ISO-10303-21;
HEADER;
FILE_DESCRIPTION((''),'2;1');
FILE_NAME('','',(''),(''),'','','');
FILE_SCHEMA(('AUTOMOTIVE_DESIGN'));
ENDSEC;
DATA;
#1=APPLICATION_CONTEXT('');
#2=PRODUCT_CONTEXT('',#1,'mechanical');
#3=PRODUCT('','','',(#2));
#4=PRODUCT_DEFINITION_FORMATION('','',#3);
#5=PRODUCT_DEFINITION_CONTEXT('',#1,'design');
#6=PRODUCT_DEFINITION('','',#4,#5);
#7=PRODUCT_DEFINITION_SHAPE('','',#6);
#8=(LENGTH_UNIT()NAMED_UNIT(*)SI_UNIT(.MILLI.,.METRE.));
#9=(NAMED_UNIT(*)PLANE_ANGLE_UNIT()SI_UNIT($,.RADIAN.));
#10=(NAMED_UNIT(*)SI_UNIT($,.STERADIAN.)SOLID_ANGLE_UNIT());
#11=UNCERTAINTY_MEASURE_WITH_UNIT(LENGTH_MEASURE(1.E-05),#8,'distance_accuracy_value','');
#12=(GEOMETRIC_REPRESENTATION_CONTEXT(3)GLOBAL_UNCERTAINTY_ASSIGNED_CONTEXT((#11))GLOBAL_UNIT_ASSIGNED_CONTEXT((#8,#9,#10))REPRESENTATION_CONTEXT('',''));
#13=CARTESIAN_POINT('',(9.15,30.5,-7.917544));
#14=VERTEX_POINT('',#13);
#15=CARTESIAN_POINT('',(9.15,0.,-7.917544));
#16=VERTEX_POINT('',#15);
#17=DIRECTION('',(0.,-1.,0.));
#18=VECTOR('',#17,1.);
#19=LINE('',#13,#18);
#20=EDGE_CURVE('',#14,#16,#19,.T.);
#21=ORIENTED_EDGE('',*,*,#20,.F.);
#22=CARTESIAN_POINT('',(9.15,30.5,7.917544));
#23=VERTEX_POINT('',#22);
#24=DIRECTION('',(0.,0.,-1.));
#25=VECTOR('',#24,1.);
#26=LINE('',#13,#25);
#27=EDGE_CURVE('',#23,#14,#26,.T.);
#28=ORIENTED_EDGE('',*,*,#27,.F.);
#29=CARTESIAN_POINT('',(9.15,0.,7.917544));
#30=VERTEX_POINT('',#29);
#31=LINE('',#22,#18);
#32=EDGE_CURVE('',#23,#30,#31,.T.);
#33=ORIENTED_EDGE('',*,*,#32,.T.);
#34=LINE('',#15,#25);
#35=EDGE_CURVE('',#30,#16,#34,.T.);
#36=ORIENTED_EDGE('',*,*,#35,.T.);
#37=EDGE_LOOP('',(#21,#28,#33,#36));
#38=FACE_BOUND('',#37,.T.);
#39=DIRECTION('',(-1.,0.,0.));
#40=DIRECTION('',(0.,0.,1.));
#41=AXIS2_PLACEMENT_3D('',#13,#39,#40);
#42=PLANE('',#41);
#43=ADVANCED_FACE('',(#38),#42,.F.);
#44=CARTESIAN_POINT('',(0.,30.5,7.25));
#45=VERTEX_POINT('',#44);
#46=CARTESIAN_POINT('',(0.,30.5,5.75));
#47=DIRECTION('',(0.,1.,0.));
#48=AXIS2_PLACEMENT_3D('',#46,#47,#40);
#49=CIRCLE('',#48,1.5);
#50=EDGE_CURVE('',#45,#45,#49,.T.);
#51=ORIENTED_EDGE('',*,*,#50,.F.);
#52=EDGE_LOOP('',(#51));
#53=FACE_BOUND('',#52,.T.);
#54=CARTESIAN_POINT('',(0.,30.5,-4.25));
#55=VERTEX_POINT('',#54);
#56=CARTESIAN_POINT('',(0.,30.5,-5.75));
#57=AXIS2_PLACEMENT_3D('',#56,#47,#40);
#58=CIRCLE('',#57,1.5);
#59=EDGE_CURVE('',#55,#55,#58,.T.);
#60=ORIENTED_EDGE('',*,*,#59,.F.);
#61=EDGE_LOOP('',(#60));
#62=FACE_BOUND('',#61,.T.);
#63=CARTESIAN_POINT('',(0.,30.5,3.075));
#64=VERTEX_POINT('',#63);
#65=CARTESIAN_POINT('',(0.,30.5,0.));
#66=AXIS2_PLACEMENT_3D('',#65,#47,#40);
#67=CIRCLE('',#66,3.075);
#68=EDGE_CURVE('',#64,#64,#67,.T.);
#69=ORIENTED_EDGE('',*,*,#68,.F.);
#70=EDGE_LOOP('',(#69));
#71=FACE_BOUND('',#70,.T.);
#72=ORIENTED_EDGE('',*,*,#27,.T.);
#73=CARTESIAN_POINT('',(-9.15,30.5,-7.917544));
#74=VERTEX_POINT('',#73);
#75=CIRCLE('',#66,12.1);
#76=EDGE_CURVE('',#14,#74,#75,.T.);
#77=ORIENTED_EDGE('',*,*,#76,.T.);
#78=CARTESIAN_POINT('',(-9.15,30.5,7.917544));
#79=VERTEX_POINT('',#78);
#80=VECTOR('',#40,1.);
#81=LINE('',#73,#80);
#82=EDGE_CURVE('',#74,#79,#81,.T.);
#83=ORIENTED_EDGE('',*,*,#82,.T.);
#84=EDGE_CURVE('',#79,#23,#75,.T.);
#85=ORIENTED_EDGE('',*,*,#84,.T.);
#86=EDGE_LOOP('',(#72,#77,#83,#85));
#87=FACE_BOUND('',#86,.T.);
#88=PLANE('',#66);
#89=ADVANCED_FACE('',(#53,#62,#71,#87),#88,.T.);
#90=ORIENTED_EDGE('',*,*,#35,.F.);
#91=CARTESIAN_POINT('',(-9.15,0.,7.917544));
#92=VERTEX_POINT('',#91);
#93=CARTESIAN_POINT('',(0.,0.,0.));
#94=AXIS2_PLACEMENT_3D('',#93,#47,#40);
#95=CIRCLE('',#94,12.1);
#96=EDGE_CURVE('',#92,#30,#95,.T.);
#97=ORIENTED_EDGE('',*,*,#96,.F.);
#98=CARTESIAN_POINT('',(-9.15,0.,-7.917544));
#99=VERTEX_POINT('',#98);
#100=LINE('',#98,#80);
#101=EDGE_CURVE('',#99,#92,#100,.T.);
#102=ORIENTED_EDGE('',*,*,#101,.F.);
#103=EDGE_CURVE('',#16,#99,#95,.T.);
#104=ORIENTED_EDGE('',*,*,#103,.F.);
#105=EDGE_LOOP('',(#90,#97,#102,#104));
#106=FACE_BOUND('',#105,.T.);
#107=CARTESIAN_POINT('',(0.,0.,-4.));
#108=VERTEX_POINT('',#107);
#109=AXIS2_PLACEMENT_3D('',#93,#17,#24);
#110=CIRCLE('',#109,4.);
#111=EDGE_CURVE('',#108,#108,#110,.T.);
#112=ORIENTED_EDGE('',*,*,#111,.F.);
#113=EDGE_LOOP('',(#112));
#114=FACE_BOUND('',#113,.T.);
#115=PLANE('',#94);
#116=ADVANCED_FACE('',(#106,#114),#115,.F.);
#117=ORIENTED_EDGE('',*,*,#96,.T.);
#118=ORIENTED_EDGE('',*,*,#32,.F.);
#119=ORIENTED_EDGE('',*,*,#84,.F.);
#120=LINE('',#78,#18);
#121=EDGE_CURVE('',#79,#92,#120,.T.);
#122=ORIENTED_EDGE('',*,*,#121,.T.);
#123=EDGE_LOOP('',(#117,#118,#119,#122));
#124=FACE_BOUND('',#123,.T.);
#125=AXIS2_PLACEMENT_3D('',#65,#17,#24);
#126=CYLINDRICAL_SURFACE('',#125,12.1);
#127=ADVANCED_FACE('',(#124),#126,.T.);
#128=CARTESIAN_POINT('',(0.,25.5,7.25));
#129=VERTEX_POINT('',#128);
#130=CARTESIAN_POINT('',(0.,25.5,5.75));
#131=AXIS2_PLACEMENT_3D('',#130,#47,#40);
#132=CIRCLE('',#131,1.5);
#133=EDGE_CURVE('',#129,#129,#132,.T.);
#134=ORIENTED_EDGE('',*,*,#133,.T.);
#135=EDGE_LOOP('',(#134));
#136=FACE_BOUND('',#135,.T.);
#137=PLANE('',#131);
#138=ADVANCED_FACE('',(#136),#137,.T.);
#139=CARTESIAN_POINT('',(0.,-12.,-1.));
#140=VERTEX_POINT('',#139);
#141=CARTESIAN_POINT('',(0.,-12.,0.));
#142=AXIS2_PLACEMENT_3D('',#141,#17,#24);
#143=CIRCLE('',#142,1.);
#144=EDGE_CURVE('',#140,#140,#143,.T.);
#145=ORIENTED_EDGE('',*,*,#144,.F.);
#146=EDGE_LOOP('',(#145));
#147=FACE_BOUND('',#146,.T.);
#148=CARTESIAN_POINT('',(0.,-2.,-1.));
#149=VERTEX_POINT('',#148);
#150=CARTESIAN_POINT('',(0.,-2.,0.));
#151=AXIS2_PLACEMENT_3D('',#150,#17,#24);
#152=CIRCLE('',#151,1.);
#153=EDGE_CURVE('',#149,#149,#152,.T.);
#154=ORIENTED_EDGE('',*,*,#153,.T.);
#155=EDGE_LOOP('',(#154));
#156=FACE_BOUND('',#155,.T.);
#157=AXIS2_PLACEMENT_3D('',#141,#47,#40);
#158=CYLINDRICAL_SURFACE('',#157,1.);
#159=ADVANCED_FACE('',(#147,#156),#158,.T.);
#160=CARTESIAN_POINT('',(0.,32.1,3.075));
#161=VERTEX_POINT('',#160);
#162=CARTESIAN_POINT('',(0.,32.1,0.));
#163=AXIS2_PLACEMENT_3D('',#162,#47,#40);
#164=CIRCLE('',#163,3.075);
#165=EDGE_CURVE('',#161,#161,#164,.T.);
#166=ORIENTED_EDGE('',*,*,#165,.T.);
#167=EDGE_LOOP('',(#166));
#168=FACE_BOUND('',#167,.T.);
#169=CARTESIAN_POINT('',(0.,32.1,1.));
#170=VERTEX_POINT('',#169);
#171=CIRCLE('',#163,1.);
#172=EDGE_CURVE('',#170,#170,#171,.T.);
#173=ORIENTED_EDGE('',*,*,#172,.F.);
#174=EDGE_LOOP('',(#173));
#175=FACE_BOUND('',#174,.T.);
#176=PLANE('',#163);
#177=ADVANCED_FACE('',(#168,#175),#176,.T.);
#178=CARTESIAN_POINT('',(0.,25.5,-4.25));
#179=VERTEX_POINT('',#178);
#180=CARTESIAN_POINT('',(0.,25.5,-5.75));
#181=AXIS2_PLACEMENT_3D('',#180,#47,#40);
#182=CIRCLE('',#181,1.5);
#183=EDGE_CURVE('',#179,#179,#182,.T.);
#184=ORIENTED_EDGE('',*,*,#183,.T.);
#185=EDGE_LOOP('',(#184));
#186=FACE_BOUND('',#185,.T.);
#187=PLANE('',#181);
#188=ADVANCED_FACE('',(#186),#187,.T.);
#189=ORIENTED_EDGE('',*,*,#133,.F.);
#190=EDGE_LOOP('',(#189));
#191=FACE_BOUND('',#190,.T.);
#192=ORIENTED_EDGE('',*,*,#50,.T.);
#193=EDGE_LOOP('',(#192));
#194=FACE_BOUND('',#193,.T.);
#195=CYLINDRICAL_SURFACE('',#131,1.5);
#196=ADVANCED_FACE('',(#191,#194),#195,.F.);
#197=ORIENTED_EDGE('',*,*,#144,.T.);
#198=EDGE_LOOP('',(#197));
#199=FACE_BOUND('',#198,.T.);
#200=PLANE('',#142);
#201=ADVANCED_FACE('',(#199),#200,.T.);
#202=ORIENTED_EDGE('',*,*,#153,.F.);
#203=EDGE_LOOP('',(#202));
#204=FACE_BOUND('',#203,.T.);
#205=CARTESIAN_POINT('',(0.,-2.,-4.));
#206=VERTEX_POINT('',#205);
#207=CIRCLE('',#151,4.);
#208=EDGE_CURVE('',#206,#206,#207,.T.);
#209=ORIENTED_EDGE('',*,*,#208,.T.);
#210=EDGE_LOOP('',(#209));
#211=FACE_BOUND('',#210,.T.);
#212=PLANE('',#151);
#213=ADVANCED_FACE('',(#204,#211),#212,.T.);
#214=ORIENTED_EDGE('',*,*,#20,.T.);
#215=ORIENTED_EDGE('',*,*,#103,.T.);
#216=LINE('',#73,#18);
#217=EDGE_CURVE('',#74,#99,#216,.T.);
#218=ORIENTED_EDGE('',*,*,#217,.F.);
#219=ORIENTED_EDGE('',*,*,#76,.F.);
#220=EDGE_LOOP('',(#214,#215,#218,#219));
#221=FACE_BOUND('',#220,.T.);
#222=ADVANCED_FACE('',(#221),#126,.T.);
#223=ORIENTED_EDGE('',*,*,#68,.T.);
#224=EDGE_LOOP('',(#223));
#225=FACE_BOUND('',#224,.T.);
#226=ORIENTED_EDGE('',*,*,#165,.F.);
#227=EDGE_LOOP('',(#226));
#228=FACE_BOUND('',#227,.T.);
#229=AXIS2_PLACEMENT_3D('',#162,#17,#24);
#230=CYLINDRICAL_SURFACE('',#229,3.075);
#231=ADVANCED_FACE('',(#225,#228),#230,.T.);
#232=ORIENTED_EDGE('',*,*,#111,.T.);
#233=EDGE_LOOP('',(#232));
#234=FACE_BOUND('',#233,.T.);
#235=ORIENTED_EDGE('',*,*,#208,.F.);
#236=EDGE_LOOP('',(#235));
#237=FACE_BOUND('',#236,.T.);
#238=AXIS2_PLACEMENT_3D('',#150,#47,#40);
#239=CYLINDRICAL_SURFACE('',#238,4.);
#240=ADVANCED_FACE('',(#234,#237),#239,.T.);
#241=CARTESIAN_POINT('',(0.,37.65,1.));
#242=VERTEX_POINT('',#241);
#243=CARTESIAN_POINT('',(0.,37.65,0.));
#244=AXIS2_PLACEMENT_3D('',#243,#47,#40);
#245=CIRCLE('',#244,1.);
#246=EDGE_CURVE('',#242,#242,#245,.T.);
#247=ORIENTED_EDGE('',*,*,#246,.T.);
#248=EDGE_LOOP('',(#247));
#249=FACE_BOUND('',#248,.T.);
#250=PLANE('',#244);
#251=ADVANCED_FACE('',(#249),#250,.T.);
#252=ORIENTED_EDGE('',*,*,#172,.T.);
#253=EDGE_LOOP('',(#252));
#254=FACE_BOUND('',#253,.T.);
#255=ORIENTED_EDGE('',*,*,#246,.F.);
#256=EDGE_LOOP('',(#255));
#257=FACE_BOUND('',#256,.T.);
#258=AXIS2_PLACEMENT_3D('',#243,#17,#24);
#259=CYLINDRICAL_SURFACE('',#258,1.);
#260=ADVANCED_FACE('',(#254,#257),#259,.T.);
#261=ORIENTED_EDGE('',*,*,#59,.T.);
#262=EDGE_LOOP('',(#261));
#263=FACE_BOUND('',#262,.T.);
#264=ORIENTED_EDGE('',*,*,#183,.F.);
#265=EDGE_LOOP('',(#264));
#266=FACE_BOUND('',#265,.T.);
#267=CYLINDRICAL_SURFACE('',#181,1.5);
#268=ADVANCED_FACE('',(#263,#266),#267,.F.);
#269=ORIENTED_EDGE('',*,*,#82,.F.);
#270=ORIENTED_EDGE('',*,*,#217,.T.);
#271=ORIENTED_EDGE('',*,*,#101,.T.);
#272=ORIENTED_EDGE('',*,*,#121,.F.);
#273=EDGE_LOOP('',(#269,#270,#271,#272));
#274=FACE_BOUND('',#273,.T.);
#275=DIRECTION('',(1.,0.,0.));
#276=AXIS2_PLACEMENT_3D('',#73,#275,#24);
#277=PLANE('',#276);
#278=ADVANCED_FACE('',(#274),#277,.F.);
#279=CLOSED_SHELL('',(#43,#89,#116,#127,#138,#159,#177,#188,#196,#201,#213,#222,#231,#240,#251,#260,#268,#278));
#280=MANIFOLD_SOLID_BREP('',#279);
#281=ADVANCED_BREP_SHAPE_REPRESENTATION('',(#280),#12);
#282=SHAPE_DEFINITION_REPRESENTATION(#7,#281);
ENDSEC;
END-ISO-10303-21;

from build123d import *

# Parameters (mm, degrees)
BOSS_EXTRUDE1_DEPTH = 30.5
SKETCH2_R           = 3.075
SKETCH2_R_2         = 1
BOSS_EXTRUDE2_DEPTH = 1.6
SKETCH2_2_R         = 1
BOSS_EXTRUDE3_DEPTH = 7.15
BOSS_EXTRUDE4_START = 2
SKETCH3_R           = 4
SKETCH3_R_2         = 1
BOSS_EXTRUDE4_DEPTH = 2
BOSS_EXTRUDE5_START = 12
SKETCH3_2_R         = 1
BOSS_EXTRUDE5_DEPTH = 12
SKETCH4_R           = 1.5
CUT_EXTRUDE1_DEPTH  = 5


with BuildPart() as part:
    # Sketch1 → Boss-Extrude1 (new body)
    with BuildSketch(Plane(origin=(0, 0, 0), x_dir=(1, 0, 0), z_dir=(0, 1, 0))):
        with BuildLine():
            Line((-9.15, 7.917543811), (-9.15, -7.917543811))
            ThreePointArc((-9.15, -7.917543811), (0, -12.1), (9.15, -7.917543811))
            Line((9.15, -7.917543811), (9.15, 7.917543811))
            ThreePointArc((9.15, 7.917543811), (0, 12.1), (-9.15, 7.917543811))
        make_face()
    extrude(amount=BOSS_EXTRUDE1_DEPTH)

    # Sketch2 → Boss-Extrude2 (add)
    with BuildSketch(Plane(origin=(0, 30.5, 0), x_dir=(1, 0, 0), z_dir=(0, 1, 0))):
        Circle(SKETCH2_R)
        Circle(SKETCH2_R_2, mode=Mode.SUBTRACT)
    extrude(amount=BOSS_EXTRUDE2_DEPTH)

    # Sketch2<2> → Boss-Extrude3 (add)
    with BuildSketch(Plane(origin=(0, 30.5, 0), x_dir=(1, 0, 0), z_dir=(0, 1, 0))):
        Circle(SKETCH2_2_R)
    extrude(amount=BOSS_EXTRUDE3_DEPTH)

    # Sketch3 → Boss-Extrude4 (add)
    with BuildSketch(Plane.XZ.offset(BOSS_EXTRUDE4_START)):
        Circle(SKETCH3_R)
        Circle(SKETCH3_R_2, mode=Mode.SUBTRACT)
    extrude(amount=-BOSS_EXTRUDE4_DEPTH)

    # Sketch3<2> → Boss-Extrude5 (add)
    with BuildSketch(Plane.XZ.offset(BOSS_EXTRUDE5_START)):
        Circle(SKETCH3_2_R)
    extrude(amount=-BOSS_EXTRUDE5_DEPTH)

    # Sketch4 → Cut-Extrude1 (cut)
    with BuildSketch(Plane(origin=(0, 30.5, 0), x_dir=(1, 0, 0), z_dir=(0, 1, 0))):
        with Locations((0, 5.75)):
            Circle(SKETCH4_R)
        with Locations((0, -5.75)):
            Circle(SKETCH4_R)
    extrude(amount=-CUT_EXTRUDE1_DEPTH, mode=Mode.SUBTRACT)


solid = part.part
